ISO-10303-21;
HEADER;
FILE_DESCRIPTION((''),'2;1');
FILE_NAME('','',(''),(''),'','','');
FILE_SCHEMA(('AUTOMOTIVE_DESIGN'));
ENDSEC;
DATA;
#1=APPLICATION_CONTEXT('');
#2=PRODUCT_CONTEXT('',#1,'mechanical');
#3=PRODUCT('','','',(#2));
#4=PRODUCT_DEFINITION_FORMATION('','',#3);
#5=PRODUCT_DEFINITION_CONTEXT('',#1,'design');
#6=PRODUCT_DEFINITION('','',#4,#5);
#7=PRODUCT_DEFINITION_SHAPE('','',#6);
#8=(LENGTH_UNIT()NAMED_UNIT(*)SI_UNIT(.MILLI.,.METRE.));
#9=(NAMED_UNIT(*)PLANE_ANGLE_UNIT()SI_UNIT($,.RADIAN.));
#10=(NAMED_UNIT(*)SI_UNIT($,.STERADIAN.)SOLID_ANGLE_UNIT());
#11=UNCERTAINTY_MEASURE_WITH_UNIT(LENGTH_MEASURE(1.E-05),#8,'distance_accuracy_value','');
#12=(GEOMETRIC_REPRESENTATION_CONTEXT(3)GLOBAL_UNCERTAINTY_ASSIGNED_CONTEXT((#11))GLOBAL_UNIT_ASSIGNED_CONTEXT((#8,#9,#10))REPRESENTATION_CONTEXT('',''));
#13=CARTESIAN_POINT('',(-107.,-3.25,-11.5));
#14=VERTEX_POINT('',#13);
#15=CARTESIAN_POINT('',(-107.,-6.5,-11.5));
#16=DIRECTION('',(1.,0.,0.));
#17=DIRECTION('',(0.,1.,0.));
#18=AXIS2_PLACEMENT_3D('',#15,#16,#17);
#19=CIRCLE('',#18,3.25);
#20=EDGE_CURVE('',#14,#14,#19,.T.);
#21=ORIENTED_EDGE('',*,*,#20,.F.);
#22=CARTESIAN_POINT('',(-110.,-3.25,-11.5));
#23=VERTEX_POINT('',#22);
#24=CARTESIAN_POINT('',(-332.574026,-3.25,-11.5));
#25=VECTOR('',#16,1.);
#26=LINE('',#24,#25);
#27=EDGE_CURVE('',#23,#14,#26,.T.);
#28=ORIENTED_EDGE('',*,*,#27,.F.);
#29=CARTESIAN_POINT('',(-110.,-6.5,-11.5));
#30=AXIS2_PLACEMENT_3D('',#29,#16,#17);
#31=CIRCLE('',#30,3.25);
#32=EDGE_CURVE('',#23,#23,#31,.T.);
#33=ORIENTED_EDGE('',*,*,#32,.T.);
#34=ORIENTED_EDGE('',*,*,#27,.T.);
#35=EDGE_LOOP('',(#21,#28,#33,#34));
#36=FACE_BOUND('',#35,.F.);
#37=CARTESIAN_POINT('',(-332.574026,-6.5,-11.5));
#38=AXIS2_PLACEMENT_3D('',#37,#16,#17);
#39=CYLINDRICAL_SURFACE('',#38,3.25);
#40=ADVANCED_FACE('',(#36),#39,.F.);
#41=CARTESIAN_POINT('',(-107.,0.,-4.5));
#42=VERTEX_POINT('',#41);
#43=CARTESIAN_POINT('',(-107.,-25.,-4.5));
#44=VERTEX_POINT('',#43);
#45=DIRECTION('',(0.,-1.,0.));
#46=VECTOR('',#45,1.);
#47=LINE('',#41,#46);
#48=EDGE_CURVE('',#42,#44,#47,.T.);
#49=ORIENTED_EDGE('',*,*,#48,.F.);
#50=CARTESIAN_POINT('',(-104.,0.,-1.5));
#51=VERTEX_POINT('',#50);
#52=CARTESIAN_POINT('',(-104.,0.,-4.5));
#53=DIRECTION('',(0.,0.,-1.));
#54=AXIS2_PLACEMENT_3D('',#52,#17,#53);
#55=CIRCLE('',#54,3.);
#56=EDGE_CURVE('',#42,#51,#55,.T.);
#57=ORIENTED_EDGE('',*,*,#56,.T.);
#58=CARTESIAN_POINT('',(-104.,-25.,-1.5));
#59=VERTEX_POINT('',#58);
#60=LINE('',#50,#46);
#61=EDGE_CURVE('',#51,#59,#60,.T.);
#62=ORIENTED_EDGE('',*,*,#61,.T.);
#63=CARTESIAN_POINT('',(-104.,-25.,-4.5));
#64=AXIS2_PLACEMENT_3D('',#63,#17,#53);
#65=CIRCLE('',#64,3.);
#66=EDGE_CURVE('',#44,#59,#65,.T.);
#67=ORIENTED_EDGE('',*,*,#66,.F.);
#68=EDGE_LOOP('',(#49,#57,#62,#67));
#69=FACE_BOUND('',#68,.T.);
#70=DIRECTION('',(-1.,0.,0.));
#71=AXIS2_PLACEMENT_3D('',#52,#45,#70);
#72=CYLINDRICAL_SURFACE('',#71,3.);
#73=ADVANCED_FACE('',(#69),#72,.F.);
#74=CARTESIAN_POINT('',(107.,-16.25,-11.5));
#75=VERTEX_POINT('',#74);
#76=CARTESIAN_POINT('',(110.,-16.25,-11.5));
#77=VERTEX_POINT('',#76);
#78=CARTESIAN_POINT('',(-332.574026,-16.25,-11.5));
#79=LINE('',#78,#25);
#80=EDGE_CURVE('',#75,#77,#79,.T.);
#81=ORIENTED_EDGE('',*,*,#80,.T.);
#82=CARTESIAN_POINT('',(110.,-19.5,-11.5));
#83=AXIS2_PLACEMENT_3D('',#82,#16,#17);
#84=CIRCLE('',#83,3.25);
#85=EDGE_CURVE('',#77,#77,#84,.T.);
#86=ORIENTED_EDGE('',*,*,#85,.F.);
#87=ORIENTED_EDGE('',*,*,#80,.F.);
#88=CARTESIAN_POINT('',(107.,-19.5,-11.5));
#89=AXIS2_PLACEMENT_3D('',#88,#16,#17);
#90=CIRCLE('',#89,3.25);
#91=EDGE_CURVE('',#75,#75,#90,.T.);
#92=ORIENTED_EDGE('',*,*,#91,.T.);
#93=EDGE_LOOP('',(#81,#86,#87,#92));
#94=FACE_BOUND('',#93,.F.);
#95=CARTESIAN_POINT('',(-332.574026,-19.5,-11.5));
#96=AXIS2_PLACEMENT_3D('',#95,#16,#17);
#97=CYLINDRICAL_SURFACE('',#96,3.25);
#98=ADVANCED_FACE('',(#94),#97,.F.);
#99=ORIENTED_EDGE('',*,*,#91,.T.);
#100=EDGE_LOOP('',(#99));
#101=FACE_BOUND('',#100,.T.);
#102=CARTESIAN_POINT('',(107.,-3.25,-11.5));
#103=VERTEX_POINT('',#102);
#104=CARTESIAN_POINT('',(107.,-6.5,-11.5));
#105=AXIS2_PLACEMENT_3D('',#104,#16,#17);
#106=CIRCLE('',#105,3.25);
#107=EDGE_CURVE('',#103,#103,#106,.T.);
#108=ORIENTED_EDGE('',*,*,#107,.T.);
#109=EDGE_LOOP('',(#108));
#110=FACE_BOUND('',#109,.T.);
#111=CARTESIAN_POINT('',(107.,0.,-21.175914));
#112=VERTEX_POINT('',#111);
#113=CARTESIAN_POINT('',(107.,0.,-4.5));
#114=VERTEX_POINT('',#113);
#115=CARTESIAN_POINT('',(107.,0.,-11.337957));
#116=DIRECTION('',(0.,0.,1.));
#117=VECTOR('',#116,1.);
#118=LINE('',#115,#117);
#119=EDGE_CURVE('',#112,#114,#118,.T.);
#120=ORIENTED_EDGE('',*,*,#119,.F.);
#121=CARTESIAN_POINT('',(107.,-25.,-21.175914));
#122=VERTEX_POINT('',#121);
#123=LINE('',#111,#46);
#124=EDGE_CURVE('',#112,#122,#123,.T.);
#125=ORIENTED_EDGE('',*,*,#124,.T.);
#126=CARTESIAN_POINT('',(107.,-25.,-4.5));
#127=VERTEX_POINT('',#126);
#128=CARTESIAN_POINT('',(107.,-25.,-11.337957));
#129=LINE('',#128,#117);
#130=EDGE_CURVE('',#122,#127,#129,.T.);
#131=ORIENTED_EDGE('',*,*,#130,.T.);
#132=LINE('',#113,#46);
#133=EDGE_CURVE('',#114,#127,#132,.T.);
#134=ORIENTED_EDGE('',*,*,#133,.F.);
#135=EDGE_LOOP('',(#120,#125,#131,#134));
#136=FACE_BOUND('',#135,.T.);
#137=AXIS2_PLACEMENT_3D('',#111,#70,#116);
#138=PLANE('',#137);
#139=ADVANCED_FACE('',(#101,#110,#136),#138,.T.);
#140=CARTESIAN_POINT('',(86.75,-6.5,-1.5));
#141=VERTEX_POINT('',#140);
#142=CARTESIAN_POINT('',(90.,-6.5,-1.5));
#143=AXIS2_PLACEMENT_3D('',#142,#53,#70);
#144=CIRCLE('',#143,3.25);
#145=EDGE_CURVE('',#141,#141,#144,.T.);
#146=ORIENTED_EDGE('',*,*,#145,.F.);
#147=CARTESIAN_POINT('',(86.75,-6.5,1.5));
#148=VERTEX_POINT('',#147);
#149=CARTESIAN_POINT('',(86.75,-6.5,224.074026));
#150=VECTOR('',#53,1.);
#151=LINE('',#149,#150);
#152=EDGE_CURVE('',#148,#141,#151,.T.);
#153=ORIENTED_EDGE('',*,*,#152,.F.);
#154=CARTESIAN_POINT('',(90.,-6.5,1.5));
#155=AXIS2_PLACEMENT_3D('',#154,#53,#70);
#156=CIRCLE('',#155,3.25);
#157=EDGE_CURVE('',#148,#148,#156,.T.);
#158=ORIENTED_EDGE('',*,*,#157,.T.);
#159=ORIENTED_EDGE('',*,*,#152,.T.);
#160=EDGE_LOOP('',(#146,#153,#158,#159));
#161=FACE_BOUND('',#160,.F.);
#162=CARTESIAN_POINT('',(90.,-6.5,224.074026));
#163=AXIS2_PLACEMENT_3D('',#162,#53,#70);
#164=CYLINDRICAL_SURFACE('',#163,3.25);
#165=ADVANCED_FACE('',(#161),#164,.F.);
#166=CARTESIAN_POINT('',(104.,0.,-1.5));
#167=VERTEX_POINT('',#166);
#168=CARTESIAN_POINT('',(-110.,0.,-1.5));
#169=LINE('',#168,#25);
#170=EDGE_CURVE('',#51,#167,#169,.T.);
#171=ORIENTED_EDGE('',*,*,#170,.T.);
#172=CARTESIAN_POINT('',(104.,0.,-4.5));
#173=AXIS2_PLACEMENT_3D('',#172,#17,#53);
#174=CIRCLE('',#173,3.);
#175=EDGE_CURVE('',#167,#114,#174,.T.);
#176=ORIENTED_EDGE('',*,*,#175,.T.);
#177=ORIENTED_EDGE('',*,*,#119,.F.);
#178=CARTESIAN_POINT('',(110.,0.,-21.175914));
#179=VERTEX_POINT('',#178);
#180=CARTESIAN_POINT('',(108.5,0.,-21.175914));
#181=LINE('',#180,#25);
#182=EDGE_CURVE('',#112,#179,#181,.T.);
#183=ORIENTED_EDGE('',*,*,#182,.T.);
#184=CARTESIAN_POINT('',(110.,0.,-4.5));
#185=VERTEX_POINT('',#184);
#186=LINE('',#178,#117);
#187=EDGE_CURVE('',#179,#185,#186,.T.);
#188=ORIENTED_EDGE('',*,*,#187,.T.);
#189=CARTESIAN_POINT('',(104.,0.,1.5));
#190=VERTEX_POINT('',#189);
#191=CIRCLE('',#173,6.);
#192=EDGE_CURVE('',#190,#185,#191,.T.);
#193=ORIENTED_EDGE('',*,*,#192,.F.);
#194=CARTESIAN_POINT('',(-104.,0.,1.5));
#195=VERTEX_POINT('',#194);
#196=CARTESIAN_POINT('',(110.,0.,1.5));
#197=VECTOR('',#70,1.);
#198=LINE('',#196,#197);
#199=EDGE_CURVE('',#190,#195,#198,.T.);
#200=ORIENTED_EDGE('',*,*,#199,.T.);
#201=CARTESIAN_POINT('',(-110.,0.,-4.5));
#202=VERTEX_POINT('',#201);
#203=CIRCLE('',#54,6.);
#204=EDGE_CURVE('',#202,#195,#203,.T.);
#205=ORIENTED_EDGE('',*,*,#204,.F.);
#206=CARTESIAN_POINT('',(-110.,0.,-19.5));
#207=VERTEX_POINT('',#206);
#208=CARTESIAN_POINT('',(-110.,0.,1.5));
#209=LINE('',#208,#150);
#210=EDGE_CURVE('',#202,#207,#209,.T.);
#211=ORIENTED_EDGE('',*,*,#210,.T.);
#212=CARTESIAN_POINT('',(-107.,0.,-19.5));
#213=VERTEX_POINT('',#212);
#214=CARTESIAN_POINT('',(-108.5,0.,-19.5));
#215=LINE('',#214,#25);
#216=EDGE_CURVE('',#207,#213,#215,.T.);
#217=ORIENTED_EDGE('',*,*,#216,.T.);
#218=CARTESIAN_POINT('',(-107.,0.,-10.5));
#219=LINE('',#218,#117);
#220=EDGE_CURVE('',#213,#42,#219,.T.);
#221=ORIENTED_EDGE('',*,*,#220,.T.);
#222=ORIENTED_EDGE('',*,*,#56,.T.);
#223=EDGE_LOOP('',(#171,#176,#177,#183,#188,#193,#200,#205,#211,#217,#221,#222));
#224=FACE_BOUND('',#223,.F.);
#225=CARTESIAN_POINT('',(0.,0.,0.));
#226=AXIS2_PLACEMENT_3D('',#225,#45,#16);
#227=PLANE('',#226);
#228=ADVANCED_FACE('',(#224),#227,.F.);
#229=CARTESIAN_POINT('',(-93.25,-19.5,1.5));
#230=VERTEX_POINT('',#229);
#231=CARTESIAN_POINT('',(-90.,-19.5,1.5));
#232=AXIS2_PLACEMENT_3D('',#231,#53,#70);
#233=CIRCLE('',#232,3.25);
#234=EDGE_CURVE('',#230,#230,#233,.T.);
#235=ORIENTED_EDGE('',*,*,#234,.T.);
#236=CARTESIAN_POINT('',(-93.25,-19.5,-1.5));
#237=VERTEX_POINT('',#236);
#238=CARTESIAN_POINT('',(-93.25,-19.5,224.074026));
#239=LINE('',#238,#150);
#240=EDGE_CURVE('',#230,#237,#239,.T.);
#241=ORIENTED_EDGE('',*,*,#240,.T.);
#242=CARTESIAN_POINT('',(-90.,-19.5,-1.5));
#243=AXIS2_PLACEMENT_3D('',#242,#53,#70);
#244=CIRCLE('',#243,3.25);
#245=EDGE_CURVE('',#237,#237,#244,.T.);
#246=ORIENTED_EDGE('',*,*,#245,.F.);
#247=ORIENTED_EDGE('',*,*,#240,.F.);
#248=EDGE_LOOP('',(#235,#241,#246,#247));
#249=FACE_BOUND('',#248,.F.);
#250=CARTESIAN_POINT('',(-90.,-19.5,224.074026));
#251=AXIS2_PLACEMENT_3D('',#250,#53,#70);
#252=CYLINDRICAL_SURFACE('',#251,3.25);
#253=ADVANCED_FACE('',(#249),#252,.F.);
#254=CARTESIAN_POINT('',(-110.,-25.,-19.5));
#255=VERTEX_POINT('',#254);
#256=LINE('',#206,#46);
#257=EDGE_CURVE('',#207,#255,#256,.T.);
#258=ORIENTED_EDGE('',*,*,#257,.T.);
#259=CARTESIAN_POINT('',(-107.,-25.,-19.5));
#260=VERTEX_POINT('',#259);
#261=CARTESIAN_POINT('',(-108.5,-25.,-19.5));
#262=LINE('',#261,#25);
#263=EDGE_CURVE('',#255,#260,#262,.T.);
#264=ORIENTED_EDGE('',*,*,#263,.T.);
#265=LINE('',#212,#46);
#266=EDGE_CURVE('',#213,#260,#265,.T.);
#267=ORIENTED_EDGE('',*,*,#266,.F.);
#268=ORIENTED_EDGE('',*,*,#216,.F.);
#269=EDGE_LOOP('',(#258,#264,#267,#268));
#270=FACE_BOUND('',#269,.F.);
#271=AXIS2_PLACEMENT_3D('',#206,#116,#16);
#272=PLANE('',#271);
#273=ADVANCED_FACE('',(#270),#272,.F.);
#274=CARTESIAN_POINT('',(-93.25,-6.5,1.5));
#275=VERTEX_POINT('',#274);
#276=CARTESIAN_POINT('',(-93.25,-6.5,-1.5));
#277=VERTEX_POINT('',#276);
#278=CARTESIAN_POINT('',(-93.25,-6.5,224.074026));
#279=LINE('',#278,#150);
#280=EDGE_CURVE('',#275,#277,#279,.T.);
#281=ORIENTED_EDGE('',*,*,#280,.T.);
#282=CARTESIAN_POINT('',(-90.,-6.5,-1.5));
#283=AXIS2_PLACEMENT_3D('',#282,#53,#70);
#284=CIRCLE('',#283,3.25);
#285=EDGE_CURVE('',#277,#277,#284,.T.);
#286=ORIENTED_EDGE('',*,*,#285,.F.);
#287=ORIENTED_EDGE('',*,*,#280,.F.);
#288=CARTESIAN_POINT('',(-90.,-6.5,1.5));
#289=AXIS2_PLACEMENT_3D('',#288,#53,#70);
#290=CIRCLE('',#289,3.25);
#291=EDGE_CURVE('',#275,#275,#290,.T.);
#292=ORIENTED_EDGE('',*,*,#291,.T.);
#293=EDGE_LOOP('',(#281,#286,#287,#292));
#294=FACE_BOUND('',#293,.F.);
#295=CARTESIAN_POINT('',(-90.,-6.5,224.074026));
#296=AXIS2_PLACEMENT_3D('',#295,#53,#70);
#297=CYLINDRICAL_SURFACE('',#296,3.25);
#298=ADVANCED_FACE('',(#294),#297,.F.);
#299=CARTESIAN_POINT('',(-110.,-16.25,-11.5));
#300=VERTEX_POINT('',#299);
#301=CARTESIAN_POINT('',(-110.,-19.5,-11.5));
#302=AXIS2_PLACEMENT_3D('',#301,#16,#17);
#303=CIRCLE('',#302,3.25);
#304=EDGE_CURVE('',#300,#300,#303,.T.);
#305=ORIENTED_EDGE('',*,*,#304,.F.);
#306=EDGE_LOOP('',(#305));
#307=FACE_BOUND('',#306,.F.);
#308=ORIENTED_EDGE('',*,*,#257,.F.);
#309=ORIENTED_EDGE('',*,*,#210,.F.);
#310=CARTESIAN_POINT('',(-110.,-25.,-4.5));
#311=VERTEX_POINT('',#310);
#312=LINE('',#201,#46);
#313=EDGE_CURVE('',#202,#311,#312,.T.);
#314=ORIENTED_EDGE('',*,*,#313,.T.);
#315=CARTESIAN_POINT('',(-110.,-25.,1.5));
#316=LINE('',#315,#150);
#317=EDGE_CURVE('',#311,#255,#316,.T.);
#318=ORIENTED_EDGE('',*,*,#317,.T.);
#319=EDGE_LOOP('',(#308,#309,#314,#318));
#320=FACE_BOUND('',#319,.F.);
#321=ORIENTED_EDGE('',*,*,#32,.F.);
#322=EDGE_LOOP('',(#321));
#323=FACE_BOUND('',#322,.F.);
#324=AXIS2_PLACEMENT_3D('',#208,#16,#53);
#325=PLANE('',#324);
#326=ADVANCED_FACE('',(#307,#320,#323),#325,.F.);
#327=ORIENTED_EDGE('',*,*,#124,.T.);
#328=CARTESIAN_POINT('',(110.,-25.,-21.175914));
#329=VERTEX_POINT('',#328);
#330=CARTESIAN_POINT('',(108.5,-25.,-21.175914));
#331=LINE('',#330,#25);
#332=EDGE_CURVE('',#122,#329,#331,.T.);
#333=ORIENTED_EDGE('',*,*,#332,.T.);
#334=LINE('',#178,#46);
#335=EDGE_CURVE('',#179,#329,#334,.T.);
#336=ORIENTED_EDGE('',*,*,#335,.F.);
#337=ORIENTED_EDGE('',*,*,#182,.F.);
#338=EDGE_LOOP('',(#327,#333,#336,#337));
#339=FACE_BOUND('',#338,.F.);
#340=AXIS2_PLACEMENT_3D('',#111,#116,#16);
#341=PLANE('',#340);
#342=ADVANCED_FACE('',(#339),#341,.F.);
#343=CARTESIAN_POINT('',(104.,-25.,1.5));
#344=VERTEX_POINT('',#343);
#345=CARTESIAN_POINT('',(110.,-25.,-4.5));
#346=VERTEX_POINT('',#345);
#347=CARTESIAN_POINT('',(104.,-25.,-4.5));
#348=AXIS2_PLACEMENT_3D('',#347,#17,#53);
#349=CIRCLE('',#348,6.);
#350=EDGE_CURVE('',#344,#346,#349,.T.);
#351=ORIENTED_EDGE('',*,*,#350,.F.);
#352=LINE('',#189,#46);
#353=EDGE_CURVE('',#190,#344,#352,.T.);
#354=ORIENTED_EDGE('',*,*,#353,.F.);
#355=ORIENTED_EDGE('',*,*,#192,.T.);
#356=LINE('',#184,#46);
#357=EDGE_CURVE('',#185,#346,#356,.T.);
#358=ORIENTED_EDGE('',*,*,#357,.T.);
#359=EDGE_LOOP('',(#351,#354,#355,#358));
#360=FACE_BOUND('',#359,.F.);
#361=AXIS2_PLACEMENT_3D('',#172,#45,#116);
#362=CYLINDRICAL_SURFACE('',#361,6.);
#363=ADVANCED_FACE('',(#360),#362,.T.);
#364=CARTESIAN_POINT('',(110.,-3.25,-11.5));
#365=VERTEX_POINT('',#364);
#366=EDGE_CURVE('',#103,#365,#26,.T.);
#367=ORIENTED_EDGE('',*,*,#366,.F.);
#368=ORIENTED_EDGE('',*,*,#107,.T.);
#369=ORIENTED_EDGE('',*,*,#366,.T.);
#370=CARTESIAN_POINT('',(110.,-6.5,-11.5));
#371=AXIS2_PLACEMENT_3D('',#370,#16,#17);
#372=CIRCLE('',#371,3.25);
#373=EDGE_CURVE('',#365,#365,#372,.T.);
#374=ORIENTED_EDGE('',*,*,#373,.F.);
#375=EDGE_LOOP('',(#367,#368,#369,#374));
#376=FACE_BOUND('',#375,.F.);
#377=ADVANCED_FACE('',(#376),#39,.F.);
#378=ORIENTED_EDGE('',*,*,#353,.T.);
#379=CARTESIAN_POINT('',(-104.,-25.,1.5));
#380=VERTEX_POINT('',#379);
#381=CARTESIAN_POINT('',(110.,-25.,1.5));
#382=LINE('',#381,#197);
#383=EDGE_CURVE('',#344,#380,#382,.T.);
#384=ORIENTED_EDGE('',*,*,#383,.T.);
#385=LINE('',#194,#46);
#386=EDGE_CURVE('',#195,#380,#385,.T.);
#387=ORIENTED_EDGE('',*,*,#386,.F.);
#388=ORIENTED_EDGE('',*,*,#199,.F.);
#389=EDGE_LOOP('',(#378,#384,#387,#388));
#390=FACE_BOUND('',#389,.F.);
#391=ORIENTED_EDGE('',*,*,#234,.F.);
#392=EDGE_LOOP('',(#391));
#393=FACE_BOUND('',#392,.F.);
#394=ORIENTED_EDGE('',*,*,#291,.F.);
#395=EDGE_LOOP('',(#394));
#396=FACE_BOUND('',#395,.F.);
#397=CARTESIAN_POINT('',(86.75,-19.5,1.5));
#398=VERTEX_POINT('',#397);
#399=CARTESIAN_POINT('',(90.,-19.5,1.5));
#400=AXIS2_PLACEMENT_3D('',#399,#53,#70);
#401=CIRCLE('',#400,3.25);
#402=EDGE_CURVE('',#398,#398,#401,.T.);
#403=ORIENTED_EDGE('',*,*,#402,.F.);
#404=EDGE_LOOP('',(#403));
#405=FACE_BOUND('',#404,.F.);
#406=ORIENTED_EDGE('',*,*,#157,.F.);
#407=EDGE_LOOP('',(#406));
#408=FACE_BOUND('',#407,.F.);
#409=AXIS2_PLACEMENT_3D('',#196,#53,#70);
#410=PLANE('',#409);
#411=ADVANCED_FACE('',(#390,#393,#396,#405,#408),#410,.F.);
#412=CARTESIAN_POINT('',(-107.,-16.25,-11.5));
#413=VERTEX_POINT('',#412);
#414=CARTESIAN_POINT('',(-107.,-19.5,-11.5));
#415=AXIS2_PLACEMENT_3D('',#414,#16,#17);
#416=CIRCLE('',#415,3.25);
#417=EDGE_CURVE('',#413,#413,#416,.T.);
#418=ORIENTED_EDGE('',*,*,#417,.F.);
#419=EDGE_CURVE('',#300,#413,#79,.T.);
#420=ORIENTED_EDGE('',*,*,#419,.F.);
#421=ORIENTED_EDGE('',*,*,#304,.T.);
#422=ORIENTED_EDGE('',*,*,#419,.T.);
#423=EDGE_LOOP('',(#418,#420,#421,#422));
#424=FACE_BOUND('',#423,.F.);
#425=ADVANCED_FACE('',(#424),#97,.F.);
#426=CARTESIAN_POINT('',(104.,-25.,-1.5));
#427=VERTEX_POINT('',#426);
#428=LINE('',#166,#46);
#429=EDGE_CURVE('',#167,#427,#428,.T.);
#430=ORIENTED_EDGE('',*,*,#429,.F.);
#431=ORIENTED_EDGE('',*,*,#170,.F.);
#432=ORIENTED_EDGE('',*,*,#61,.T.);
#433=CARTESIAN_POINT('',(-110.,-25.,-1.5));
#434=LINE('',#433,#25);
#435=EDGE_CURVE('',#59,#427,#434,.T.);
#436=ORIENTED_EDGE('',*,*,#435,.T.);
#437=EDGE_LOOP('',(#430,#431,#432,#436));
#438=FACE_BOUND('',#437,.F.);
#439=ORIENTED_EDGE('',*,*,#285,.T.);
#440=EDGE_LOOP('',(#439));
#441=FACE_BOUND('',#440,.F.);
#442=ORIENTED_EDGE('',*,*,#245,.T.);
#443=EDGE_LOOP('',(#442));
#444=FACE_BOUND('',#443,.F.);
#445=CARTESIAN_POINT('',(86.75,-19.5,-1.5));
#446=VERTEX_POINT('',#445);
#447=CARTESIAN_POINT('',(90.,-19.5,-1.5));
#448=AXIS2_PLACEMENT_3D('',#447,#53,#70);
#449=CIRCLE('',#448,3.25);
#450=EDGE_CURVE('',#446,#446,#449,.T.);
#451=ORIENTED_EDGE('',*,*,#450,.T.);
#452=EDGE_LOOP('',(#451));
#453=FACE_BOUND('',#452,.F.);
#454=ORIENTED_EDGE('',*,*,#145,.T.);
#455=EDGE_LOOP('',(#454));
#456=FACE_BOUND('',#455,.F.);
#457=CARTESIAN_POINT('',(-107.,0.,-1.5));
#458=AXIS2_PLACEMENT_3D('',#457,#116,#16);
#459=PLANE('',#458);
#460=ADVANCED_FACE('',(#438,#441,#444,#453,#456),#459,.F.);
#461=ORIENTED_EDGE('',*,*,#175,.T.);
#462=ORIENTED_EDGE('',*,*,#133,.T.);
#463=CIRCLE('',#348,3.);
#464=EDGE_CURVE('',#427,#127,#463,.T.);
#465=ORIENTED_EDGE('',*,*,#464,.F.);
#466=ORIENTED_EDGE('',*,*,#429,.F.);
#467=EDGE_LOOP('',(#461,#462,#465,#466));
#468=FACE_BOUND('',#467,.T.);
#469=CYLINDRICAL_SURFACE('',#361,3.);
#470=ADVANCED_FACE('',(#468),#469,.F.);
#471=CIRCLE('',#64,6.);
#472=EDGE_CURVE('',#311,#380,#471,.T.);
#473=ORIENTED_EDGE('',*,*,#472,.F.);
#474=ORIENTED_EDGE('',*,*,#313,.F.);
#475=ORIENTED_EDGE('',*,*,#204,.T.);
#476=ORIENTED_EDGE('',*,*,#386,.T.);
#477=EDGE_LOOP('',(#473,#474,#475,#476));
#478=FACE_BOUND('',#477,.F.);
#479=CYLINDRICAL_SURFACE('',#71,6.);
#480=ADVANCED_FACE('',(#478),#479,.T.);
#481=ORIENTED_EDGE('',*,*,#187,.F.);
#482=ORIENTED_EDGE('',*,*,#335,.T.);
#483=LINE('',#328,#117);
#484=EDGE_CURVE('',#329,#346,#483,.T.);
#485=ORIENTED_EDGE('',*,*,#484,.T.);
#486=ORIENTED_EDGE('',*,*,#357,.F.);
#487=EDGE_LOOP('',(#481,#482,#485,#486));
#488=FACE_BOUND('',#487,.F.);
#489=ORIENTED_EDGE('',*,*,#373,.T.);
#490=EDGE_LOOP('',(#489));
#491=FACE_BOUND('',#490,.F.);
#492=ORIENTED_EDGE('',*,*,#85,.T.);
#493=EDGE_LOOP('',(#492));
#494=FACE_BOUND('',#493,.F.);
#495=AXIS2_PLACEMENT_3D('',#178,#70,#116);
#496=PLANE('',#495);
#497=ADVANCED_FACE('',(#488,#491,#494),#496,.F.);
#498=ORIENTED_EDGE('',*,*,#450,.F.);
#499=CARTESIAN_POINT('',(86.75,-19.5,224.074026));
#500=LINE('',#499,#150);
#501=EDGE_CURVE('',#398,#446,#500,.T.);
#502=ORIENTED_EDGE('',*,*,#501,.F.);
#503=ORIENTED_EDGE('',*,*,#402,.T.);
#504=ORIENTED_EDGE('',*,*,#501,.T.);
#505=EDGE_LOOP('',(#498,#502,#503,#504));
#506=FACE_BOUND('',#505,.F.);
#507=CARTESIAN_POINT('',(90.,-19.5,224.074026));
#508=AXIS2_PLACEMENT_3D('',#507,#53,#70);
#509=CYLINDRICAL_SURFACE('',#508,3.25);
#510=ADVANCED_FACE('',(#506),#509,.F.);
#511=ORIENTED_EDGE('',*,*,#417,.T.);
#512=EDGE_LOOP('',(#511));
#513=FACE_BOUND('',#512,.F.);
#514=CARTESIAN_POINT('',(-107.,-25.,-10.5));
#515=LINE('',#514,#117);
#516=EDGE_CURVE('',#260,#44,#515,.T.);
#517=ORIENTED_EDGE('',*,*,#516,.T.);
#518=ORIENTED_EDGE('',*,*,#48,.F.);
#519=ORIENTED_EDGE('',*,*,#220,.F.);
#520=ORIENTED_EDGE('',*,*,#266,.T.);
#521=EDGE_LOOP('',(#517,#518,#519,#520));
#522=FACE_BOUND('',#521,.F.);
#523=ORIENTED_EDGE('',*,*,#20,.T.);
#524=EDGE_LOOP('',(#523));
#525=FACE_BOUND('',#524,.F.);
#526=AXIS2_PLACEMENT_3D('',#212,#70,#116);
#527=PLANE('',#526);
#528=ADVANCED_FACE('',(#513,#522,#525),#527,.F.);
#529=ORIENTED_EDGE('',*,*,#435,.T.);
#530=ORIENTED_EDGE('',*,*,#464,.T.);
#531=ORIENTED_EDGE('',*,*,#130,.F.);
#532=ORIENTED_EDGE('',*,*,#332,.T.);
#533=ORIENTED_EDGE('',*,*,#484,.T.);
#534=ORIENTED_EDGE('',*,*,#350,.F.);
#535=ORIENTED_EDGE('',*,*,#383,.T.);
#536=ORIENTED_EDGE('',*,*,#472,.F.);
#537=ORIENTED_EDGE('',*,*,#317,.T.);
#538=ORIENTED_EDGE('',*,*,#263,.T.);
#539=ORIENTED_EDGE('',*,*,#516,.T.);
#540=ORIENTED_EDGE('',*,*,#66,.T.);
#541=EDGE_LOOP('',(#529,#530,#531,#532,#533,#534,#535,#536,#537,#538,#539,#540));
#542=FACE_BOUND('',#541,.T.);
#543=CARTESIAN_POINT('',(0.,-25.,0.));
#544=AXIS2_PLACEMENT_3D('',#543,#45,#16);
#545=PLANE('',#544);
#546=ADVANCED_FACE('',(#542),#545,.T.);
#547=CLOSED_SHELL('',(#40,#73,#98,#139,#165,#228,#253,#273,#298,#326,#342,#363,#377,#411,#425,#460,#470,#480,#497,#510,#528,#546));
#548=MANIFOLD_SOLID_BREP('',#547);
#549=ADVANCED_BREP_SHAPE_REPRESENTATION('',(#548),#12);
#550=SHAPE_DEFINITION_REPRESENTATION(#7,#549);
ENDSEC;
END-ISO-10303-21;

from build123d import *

# Parameters (mm, degrees)
F0_W     = 3
F0_H     = 18
F0_H_2   = 19.675914
F1_DEPTH = 25
F4_D     = 6.5
F5_D     = 6.5
F6_R     = 3
F7_R     = 6


with BuildPart() as f1:
    # F0 (on Front) → F1 (new body)
    with BuildSketch(Plane.XZ):
        Polygon((110, 1.5), (-110, 1.5), (-110, -1.5), (-107, -1.5), (107, -1.5), (110, -1.5), align=None)
        with Locations((-108.5, -10.5)):
            Rectangle(F0_W, F0_H)
        with Locations((108.5, -11.337957)):
            Rectangle(F0_W, F0_H_2)
    extrude(amount=F1_DEPTH)

    # F4 (through all)
    with Locations(Plane.XY.offset(1.5)):
        with Locations((-90, -19.5), (-90, -6.5), (90, -6.5), (90, -19.5)):
            Hole(F4_D / 2)

    # F5 (through all)
    with Locations(Plane(origin=(-110, 0, 0), x_dir=(0, -1, 0), z_dir=(-1, 0, 0))):
        with Locations((19.5, -11.5), (6.5, -11.5)):
            Hole(F5_D / 2)

    # F6
    f6_edges = [f1.edges().sort_by_distance(p)[0] for p in [
        (-107, -12.5, -1.5),
        (107, -12.5, -1.5),
    ]]
    fillet(f6_edges, radius=F6_R)

    # F7
    f7_edges = [f1.edges().sort_by_distance(p)[0] for p in [
        (-110, -12.5, 1.5),
        (110, -12.5, 1.5),
    ]]
    fillet(f7_edges, radius=F7_R)


solid = f1.part
